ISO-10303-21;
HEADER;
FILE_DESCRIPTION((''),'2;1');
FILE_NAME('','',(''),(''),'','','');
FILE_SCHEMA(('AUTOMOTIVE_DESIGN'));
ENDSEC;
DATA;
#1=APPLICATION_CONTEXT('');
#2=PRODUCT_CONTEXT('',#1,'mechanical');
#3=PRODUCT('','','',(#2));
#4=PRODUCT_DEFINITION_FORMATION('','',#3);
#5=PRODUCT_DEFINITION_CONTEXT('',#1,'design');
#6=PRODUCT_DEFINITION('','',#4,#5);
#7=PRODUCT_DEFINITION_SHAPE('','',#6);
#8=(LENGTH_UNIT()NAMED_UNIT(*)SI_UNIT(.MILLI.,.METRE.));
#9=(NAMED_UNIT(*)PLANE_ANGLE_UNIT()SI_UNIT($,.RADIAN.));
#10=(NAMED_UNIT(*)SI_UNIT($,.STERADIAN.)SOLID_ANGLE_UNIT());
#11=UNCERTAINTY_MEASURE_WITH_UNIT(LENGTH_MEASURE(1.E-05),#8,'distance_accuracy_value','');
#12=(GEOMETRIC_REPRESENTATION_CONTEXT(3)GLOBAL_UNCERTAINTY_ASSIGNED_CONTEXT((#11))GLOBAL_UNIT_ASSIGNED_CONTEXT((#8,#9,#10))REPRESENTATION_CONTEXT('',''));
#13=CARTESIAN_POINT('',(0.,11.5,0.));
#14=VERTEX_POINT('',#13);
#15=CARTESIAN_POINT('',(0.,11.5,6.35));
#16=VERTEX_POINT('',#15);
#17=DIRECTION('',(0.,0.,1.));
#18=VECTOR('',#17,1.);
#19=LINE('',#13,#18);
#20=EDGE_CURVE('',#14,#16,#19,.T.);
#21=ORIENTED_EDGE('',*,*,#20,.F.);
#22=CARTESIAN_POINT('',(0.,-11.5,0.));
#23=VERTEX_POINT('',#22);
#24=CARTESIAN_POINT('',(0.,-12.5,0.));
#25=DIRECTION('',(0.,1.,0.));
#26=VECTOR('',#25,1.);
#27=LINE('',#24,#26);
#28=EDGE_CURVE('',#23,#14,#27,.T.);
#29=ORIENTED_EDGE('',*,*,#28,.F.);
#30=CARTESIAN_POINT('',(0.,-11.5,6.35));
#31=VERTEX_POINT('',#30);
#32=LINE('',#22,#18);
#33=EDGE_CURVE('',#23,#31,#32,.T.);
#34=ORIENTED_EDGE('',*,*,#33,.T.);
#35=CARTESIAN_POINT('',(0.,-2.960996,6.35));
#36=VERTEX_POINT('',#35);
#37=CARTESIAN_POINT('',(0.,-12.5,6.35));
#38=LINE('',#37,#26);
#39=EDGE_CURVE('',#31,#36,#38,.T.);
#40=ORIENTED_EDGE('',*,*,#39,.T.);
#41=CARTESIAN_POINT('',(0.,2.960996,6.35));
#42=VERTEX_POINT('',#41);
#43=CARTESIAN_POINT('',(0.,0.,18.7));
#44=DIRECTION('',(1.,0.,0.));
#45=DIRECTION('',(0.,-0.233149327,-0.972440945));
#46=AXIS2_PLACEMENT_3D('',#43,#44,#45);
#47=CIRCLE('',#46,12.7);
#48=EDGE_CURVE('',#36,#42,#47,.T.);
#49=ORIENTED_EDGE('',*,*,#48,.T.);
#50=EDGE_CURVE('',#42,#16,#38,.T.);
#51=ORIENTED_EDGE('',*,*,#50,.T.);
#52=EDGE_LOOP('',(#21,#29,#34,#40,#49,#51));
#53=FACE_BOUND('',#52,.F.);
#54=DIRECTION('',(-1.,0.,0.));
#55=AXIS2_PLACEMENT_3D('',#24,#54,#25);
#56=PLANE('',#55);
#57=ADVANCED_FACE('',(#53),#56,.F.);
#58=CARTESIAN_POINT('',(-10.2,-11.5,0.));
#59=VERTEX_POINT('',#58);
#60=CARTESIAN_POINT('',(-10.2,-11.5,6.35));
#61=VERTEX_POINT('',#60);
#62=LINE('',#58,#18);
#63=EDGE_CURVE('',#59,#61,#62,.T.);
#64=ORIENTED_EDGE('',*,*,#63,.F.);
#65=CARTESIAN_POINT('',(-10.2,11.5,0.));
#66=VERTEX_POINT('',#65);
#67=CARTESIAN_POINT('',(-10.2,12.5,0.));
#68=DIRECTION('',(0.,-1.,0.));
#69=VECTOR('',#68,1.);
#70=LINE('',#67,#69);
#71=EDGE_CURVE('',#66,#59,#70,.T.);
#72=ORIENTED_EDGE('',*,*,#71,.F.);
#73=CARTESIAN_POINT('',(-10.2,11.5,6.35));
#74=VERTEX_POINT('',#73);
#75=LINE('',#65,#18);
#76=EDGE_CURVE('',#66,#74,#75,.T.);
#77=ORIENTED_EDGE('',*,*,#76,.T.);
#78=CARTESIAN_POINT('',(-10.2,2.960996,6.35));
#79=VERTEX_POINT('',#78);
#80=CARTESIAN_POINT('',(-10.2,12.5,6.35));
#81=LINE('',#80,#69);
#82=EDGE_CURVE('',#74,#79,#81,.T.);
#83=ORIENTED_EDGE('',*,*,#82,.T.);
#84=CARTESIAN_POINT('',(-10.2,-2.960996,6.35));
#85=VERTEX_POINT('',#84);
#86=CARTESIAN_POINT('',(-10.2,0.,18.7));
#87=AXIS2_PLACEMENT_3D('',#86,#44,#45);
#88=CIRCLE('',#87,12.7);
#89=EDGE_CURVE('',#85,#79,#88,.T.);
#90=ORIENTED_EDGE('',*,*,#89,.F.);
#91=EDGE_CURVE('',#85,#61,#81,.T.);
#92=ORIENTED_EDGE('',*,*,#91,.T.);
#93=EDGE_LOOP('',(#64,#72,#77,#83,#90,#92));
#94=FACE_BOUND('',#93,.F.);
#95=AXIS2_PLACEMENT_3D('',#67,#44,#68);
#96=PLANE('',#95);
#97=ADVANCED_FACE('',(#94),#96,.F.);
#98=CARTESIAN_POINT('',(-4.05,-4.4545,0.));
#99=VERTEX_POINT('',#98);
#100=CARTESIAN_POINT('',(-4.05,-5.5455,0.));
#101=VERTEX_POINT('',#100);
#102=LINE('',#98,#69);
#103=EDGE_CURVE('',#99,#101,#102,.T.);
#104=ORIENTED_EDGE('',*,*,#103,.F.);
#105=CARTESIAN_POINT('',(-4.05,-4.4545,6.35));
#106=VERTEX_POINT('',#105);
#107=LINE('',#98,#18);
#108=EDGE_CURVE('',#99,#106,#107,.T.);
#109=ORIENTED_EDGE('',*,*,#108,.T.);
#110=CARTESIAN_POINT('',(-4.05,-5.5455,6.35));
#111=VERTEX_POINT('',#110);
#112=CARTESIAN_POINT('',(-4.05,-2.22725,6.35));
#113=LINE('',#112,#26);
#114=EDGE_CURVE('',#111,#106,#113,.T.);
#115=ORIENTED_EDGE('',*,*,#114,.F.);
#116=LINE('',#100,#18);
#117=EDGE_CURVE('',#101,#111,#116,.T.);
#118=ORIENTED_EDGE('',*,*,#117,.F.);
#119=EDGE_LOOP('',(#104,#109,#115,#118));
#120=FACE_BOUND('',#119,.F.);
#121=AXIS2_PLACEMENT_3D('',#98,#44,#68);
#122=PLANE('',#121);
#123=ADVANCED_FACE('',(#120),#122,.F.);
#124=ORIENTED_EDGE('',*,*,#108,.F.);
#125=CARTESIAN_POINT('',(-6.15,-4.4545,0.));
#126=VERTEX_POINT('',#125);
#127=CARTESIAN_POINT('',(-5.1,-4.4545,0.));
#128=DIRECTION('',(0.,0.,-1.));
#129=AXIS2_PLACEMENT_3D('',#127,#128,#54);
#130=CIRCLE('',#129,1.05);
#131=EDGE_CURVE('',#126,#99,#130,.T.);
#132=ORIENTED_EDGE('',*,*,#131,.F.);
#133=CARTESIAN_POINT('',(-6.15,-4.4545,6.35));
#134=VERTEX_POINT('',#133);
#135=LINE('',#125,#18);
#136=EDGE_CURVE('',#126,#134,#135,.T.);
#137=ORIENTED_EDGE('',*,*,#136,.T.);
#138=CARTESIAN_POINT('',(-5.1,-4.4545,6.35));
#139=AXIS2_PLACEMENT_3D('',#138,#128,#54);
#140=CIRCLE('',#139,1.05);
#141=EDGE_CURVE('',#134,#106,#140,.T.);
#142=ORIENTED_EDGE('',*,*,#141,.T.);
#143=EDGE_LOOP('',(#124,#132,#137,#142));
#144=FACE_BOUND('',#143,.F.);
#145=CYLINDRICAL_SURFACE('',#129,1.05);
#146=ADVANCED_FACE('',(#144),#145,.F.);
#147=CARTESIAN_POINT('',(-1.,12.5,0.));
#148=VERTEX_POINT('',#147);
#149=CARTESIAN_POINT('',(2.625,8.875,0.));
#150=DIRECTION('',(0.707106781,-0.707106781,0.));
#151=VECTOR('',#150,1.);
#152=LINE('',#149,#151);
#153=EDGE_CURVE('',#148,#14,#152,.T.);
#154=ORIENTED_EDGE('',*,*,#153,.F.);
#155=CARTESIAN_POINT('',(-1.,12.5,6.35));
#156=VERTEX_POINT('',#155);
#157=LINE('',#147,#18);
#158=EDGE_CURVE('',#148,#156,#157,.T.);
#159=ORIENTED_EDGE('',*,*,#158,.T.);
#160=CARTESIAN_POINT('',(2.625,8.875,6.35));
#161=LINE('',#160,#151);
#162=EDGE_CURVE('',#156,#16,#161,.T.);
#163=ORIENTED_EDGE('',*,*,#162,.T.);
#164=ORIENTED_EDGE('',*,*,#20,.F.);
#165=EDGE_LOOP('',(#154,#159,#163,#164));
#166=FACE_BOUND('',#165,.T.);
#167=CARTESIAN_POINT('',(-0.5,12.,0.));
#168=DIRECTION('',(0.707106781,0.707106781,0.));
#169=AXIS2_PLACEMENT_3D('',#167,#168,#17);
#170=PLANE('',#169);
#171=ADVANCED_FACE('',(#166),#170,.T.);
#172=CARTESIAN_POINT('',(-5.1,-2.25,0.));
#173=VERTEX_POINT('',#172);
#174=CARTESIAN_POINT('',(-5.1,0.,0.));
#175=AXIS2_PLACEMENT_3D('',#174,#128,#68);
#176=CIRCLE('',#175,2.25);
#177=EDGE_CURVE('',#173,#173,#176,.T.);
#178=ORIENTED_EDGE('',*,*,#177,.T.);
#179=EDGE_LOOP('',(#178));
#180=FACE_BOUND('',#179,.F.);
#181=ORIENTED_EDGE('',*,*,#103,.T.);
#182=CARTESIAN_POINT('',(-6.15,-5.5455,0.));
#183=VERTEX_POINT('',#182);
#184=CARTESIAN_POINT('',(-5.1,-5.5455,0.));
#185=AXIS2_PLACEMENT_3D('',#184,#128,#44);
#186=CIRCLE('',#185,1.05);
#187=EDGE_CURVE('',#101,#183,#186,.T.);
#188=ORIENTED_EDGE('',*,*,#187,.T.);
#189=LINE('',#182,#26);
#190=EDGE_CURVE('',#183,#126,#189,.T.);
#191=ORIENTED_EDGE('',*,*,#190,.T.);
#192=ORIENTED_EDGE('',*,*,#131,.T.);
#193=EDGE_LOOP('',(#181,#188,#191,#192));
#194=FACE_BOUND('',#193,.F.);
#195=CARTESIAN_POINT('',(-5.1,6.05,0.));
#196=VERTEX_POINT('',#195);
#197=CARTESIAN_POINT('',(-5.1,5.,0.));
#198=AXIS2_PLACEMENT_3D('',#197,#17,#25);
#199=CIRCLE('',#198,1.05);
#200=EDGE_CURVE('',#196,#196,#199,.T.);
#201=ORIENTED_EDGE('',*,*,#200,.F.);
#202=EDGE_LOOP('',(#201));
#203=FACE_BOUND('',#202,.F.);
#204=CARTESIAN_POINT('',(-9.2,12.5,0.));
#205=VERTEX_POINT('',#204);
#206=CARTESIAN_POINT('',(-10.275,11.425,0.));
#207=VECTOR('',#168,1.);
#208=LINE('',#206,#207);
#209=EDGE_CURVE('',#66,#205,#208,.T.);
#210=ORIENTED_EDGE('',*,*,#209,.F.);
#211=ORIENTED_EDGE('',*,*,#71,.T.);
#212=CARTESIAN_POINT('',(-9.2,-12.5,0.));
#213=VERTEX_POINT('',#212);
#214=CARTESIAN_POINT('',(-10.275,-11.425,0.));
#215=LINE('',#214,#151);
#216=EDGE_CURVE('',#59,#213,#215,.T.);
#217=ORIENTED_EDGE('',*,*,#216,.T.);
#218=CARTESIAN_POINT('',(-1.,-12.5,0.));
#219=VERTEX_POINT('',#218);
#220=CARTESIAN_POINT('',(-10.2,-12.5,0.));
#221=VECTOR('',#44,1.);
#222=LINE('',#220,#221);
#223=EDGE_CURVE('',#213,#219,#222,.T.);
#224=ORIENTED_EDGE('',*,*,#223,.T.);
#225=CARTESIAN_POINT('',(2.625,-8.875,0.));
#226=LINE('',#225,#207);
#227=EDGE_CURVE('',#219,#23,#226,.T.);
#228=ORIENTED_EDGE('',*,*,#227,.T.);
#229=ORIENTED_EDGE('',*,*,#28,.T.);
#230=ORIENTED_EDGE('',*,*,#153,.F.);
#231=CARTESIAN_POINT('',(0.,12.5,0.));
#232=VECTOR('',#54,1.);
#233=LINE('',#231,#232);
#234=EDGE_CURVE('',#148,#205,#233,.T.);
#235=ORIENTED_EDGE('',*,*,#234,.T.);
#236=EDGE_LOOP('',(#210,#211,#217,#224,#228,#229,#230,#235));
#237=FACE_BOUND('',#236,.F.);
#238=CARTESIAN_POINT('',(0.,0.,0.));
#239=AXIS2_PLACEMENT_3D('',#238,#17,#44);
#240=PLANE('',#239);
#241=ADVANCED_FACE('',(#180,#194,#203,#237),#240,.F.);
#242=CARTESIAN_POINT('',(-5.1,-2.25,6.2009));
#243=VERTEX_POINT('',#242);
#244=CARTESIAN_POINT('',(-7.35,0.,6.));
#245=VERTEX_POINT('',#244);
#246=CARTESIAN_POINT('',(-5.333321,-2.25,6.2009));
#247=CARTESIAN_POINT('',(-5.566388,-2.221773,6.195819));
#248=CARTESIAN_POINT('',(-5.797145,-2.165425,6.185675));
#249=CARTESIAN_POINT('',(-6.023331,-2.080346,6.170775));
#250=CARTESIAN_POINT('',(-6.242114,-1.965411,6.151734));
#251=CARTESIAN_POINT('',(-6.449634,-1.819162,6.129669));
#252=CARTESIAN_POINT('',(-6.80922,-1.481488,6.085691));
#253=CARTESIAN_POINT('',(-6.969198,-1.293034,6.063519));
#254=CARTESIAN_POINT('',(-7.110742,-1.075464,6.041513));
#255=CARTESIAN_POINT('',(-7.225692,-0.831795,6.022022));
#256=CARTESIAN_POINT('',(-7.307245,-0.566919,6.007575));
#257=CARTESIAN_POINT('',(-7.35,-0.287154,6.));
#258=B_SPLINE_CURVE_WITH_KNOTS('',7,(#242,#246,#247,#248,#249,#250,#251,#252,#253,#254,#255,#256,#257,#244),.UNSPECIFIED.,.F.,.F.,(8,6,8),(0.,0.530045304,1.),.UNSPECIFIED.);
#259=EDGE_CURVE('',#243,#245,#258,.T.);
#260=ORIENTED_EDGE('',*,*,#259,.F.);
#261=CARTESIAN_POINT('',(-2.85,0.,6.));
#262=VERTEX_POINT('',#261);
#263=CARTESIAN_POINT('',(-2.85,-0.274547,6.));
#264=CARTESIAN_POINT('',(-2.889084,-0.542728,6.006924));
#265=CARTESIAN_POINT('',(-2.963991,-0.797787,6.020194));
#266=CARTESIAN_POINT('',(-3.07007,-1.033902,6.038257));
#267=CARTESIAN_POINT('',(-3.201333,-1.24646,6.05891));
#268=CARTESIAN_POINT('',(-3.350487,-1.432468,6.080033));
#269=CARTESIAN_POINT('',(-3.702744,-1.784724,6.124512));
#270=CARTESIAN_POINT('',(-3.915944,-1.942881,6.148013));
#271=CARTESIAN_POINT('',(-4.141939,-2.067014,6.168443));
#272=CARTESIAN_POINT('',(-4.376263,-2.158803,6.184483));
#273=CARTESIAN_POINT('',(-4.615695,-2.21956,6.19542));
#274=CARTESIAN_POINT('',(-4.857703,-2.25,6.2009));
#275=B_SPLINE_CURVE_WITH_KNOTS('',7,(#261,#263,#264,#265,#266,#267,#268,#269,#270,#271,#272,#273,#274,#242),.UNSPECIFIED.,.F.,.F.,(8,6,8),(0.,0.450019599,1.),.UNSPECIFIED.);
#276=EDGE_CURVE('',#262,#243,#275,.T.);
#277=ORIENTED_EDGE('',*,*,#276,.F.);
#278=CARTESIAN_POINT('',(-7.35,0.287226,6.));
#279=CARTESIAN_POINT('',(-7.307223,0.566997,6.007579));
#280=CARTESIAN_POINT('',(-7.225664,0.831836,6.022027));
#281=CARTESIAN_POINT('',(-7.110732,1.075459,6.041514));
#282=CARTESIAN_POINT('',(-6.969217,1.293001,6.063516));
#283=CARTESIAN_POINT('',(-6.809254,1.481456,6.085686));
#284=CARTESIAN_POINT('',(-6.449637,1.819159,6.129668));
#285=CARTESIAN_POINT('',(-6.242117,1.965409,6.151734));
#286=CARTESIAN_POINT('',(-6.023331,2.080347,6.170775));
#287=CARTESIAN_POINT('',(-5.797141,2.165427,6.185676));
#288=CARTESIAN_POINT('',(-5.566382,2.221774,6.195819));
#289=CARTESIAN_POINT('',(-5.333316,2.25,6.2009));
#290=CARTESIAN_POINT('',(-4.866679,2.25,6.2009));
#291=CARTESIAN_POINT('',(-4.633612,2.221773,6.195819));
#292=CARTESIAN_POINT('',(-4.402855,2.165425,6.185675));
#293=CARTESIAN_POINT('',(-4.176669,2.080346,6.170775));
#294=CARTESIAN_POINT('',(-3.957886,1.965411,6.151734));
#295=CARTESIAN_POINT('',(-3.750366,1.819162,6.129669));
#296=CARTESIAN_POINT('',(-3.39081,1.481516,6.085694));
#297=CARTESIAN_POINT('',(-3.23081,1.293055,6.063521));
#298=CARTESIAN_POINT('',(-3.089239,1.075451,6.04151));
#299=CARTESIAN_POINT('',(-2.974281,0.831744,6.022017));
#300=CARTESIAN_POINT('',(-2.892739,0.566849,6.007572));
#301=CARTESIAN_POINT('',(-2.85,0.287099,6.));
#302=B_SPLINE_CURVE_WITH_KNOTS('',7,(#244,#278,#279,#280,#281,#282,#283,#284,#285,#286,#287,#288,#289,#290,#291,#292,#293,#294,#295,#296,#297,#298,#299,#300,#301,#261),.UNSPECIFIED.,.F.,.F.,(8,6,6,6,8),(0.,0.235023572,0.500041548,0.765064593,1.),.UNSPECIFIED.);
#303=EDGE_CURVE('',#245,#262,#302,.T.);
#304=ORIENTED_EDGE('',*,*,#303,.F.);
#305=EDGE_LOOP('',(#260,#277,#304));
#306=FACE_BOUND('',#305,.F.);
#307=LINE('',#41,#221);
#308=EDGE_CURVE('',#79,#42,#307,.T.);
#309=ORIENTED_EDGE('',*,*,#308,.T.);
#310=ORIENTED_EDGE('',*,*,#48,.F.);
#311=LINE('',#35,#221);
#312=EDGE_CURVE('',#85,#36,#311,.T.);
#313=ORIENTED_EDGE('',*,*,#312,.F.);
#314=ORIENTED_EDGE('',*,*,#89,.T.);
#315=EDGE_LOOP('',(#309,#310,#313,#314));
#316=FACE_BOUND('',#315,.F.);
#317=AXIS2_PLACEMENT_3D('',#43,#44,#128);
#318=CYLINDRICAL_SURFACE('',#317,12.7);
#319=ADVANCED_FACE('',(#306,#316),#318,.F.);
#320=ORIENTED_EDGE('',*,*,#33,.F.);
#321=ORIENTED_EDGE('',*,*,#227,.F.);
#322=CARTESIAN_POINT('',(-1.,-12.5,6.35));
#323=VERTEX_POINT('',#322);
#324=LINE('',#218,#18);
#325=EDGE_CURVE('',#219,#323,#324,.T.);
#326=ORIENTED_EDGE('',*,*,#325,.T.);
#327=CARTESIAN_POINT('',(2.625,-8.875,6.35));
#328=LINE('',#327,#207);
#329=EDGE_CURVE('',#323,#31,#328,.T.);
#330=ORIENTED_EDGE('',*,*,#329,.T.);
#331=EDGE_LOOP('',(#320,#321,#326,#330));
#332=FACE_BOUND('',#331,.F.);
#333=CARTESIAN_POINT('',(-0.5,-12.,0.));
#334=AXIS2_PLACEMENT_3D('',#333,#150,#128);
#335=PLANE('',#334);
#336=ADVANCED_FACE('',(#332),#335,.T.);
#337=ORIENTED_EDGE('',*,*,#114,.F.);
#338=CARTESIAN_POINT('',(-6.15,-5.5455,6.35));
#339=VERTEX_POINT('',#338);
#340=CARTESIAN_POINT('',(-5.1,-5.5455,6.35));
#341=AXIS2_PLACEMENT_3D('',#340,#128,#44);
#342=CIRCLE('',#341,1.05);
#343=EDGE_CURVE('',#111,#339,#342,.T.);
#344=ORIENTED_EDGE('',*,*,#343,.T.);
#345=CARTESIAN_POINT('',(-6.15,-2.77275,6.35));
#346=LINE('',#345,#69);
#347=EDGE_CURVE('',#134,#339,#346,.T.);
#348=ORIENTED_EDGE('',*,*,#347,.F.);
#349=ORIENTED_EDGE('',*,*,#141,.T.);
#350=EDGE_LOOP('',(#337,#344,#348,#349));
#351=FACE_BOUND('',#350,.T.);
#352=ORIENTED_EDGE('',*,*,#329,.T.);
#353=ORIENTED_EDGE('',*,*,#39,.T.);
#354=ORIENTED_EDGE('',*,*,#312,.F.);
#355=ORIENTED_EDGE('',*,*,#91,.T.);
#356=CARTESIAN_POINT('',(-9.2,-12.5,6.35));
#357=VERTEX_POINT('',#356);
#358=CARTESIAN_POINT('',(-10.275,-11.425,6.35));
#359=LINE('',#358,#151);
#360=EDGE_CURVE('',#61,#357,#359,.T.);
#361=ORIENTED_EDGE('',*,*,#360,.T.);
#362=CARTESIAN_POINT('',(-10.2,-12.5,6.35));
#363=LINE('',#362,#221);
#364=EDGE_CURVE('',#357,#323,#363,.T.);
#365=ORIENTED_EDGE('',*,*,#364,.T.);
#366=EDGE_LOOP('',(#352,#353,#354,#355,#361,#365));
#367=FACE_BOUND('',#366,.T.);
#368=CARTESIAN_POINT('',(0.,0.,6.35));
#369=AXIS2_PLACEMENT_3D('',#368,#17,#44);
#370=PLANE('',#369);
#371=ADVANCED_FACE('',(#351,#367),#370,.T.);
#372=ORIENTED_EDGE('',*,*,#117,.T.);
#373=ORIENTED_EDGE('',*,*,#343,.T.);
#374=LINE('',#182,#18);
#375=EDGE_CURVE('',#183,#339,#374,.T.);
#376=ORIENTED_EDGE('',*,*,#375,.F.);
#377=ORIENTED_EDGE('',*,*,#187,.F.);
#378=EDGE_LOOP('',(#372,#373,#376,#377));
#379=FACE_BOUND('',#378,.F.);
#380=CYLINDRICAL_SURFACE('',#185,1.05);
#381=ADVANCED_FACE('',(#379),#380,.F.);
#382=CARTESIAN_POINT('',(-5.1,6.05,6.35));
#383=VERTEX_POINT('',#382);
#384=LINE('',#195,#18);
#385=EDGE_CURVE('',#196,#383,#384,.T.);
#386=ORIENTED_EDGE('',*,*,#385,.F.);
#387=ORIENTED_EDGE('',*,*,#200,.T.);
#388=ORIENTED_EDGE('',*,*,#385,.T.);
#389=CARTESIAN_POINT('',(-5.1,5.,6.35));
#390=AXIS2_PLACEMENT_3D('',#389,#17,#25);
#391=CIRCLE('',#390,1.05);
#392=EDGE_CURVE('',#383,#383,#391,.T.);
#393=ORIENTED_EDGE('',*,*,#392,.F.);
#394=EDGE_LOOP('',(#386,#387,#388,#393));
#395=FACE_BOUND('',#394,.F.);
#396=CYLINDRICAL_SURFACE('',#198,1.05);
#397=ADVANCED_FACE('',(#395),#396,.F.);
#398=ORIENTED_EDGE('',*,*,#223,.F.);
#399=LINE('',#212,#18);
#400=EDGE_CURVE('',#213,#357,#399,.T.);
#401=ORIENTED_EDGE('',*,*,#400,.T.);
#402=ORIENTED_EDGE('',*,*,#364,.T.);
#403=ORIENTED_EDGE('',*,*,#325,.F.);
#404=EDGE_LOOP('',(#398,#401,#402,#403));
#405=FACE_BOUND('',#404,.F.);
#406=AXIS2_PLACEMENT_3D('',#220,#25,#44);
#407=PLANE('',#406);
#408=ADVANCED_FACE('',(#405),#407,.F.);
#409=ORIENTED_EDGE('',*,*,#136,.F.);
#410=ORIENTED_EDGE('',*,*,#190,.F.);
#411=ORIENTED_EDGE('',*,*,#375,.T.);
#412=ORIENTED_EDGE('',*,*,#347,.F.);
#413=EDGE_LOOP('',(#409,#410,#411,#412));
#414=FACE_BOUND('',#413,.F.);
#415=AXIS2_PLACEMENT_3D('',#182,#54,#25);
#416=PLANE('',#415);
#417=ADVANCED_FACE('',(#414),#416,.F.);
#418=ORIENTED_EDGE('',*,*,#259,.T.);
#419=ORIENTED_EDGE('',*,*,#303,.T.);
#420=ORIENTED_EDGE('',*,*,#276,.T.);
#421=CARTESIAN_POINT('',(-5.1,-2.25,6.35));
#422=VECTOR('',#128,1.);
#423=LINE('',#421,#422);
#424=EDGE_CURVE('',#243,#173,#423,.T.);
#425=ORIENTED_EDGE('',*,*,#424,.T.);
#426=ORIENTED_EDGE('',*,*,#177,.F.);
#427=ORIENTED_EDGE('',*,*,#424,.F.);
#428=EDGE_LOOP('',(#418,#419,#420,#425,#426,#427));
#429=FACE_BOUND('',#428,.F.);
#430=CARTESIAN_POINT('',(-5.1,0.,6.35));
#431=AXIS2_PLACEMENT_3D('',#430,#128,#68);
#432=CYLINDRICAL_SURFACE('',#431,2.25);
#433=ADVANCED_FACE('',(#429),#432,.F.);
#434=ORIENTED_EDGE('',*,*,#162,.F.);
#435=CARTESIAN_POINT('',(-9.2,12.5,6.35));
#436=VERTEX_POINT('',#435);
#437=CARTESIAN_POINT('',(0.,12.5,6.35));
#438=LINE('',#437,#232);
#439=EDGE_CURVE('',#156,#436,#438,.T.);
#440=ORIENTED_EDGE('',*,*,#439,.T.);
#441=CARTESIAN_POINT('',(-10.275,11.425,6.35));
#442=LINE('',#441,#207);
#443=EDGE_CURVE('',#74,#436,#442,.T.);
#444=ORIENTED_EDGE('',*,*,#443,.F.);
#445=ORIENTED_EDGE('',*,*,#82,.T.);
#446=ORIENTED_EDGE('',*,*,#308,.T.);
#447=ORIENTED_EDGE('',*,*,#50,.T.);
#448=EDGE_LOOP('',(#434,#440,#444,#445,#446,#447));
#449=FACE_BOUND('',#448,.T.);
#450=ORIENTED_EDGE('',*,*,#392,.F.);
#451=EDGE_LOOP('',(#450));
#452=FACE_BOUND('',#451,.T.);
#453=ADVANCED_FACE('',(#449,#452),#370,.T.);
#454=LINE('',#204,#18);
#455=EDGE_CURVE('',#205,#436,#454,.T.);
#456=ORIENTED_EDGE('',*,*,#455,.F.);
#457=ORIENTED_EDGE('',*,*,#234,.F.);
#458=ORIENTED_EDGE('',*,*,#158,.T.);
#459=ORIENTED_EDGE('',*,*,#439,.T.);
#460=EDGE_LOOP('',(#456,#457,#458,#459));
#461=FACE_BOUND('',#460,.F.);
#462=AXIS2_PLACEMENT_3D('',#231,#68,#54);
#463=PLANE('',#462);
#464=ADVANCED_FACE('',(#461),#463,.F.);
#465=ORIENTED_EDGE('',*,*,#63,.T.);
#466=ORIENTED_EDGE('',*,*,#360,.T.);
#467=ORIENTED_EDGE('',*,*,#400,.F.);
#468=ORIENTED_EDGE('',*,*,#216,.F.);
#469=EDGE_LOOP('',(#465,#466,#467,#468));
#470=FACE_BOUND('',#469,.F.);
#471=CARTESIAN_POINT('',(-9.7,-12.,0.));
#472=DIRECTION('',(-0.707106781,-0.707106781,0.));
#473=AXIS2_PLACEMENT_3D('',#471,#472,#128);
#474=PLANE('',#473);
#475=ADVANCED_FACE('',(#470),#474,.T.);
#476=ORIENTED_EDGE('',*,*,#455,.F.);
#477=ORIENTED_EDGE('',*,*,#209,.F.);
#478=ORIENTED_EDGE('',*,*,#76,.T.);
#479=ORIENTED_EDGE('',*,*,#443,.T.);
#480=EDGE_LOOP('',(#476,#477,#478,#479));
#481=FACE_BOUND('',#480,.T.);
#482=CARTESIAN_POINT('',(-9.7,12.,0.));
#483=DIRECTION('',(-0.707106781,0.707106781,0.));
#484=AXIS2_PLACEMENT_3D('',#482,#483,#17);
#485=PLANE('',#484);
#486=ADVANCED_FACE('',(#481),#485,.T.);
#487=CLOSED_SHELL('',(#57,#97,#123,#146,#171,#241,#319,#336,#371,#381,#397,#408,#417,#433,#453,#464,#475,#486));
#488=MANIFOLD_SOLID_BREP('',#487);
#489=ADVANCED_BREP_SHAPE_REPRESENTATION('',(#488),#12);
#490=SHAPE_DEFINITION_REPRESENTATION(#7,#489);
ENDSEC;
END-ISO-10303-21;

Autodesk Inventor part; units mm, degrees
ref_plane "YZ Plane" through (0, 0, 0) normal (1, 0, 0) x (0, 1, 0)
ref_plane "XZ Plane" through (0, 0, 0) normal (0, 1, 0) x (-1, 0, 0)
ref_plane "XY Plane" through (0, 0, 0) normal (0, 0, 1) x (1, 0, 0)
sketch "Sketch1" plane through (0, 0, 0) normal (0, 0, 1) x (1, 0, 0)
  line L0 (-10.2, -12.5) -> (0, -12.5)
  line L1 (0, -12.5) -> (0, 12.5)
  line L2 (0, 12.5) -> (-10.2, 12.5)
  line L3 (-10.2, 12.5) -> (-10.2, -12.5)
  point P0 (0, 0)
  dimension "MIRROR_WIDTH" = 10.2
  dimension "WIDTH" = 10.2
  dimension "LENGTH" = 25
  dimension "d3" = 12.5
extrude "Extrusion1" add sketch "Sketch1" along normal blind 6.35
sketch "Sketch2" plane through (0, 0, 6.35) normal (0, 0, 1) x (1, 0, 0)
  line L0 (0, 12.5) -> (2, 12.5)
  line L1 (2, 12.5) -> (2, -12.5)
  line L2 (2, -12.5) -> (0, -12.5)
  line L3 (0, -12.5) -> (0, 12.5)
  point P0 (0, 0)
  dimension "d6" = 2
  dimension "d7" = 25
  dimension "d8" = 12.5
  dimension "d9" = 0
extrude "Extrusion2" [suppressed]
sketch "Sketch3" plane through (0, 0, 6.35) normal (0, 0, 1) x (1, 0, 0)
  point P0 (0, 0)
  point P1 (-5.1, 0)
  dimension "d12" = 5.1
  dimension "d13" = 0
hole "Hole1" at (-5.1, 0, 6.35) direction (0, 0, -1) diameter 4.5 depth 12.3 clearance for "Socket Head Cap Screw" size "#8" standard "Ansi Unified Screw Threads"
sketch "Sketch4" plane through (0, 0, 0) normal (0, 0, -1) x (-1, 0, 0)
  circle A0 centre (5.1, 0) radius 2.25 projected
  line L0 (5.1, -5.5455) -> (5.1, -4.4545) construction
  line L1 (6.15, -5.5455) -> (6.15, -4.4545)
  line L2 (4.05, -4.4545) -> (4.05, -5.5455)
  arc A1 (4.05, -5.5455) -> (6.15, -5.5455) centre (5.1, -5.5455) ccw
  arc A2 (6.15, -4.4545) -> (4.05, -4.4545) centre (5.1, -4.4545) ccw
  point P0 (0, 0)
  point P1 (5.1, -5)
  point P2 (5.1, 5)
  dimension "d21" = 0
  dimension "d22" = 0
  dimension "d23" = 5
  dimension "d24" = 5
  dimension "d43" = 1.05
  dimension "d44" = 1.091
hole "Hole2" at (-5.1, 5, 0) direction (0, 0, 1) diameter 2.1 end through all
extrude "Extrusion3" cut sketch "Sketch4" against normal through all contours A1 L2 A2 L1
chamfer "Chamfer1" distance 1 angle 45 4 edges at (-10.2, -12.5, 3.175) (0, -12.5, 3.175) (0, 12.5, 3.175) (-10.2, 12.5, 3.175)
sketch "Sketch6" plane through (0, -11.5, 0) normal (1, 0, 0) x (0, 0, -1)
  circle A0 centre (-18.7, 11.5) radius 12.7
  point P0 (0, 11.5)
  dimension "d50" = 25.4
  dimension "d51" = 0
  dimension "d52" = 18.7
extrude "Extrusion4" cut sketch "Sketch6" against normal up to surface (10.2 mm away)
equation "\"WIDTH\" = MIRROR_WIDTH"
equation "\"d3\" = 0.5 * LENGTH"
equation "\"d7\" = LENGTH"
equation "\"d8\" = 0.5 * LENGTH"
equation "\"d12\" = 0.5 * MIRROR_WIDTH"
equation "\"d24\" = d23"
properties part number "POLARIS-K05S1-adapter"
